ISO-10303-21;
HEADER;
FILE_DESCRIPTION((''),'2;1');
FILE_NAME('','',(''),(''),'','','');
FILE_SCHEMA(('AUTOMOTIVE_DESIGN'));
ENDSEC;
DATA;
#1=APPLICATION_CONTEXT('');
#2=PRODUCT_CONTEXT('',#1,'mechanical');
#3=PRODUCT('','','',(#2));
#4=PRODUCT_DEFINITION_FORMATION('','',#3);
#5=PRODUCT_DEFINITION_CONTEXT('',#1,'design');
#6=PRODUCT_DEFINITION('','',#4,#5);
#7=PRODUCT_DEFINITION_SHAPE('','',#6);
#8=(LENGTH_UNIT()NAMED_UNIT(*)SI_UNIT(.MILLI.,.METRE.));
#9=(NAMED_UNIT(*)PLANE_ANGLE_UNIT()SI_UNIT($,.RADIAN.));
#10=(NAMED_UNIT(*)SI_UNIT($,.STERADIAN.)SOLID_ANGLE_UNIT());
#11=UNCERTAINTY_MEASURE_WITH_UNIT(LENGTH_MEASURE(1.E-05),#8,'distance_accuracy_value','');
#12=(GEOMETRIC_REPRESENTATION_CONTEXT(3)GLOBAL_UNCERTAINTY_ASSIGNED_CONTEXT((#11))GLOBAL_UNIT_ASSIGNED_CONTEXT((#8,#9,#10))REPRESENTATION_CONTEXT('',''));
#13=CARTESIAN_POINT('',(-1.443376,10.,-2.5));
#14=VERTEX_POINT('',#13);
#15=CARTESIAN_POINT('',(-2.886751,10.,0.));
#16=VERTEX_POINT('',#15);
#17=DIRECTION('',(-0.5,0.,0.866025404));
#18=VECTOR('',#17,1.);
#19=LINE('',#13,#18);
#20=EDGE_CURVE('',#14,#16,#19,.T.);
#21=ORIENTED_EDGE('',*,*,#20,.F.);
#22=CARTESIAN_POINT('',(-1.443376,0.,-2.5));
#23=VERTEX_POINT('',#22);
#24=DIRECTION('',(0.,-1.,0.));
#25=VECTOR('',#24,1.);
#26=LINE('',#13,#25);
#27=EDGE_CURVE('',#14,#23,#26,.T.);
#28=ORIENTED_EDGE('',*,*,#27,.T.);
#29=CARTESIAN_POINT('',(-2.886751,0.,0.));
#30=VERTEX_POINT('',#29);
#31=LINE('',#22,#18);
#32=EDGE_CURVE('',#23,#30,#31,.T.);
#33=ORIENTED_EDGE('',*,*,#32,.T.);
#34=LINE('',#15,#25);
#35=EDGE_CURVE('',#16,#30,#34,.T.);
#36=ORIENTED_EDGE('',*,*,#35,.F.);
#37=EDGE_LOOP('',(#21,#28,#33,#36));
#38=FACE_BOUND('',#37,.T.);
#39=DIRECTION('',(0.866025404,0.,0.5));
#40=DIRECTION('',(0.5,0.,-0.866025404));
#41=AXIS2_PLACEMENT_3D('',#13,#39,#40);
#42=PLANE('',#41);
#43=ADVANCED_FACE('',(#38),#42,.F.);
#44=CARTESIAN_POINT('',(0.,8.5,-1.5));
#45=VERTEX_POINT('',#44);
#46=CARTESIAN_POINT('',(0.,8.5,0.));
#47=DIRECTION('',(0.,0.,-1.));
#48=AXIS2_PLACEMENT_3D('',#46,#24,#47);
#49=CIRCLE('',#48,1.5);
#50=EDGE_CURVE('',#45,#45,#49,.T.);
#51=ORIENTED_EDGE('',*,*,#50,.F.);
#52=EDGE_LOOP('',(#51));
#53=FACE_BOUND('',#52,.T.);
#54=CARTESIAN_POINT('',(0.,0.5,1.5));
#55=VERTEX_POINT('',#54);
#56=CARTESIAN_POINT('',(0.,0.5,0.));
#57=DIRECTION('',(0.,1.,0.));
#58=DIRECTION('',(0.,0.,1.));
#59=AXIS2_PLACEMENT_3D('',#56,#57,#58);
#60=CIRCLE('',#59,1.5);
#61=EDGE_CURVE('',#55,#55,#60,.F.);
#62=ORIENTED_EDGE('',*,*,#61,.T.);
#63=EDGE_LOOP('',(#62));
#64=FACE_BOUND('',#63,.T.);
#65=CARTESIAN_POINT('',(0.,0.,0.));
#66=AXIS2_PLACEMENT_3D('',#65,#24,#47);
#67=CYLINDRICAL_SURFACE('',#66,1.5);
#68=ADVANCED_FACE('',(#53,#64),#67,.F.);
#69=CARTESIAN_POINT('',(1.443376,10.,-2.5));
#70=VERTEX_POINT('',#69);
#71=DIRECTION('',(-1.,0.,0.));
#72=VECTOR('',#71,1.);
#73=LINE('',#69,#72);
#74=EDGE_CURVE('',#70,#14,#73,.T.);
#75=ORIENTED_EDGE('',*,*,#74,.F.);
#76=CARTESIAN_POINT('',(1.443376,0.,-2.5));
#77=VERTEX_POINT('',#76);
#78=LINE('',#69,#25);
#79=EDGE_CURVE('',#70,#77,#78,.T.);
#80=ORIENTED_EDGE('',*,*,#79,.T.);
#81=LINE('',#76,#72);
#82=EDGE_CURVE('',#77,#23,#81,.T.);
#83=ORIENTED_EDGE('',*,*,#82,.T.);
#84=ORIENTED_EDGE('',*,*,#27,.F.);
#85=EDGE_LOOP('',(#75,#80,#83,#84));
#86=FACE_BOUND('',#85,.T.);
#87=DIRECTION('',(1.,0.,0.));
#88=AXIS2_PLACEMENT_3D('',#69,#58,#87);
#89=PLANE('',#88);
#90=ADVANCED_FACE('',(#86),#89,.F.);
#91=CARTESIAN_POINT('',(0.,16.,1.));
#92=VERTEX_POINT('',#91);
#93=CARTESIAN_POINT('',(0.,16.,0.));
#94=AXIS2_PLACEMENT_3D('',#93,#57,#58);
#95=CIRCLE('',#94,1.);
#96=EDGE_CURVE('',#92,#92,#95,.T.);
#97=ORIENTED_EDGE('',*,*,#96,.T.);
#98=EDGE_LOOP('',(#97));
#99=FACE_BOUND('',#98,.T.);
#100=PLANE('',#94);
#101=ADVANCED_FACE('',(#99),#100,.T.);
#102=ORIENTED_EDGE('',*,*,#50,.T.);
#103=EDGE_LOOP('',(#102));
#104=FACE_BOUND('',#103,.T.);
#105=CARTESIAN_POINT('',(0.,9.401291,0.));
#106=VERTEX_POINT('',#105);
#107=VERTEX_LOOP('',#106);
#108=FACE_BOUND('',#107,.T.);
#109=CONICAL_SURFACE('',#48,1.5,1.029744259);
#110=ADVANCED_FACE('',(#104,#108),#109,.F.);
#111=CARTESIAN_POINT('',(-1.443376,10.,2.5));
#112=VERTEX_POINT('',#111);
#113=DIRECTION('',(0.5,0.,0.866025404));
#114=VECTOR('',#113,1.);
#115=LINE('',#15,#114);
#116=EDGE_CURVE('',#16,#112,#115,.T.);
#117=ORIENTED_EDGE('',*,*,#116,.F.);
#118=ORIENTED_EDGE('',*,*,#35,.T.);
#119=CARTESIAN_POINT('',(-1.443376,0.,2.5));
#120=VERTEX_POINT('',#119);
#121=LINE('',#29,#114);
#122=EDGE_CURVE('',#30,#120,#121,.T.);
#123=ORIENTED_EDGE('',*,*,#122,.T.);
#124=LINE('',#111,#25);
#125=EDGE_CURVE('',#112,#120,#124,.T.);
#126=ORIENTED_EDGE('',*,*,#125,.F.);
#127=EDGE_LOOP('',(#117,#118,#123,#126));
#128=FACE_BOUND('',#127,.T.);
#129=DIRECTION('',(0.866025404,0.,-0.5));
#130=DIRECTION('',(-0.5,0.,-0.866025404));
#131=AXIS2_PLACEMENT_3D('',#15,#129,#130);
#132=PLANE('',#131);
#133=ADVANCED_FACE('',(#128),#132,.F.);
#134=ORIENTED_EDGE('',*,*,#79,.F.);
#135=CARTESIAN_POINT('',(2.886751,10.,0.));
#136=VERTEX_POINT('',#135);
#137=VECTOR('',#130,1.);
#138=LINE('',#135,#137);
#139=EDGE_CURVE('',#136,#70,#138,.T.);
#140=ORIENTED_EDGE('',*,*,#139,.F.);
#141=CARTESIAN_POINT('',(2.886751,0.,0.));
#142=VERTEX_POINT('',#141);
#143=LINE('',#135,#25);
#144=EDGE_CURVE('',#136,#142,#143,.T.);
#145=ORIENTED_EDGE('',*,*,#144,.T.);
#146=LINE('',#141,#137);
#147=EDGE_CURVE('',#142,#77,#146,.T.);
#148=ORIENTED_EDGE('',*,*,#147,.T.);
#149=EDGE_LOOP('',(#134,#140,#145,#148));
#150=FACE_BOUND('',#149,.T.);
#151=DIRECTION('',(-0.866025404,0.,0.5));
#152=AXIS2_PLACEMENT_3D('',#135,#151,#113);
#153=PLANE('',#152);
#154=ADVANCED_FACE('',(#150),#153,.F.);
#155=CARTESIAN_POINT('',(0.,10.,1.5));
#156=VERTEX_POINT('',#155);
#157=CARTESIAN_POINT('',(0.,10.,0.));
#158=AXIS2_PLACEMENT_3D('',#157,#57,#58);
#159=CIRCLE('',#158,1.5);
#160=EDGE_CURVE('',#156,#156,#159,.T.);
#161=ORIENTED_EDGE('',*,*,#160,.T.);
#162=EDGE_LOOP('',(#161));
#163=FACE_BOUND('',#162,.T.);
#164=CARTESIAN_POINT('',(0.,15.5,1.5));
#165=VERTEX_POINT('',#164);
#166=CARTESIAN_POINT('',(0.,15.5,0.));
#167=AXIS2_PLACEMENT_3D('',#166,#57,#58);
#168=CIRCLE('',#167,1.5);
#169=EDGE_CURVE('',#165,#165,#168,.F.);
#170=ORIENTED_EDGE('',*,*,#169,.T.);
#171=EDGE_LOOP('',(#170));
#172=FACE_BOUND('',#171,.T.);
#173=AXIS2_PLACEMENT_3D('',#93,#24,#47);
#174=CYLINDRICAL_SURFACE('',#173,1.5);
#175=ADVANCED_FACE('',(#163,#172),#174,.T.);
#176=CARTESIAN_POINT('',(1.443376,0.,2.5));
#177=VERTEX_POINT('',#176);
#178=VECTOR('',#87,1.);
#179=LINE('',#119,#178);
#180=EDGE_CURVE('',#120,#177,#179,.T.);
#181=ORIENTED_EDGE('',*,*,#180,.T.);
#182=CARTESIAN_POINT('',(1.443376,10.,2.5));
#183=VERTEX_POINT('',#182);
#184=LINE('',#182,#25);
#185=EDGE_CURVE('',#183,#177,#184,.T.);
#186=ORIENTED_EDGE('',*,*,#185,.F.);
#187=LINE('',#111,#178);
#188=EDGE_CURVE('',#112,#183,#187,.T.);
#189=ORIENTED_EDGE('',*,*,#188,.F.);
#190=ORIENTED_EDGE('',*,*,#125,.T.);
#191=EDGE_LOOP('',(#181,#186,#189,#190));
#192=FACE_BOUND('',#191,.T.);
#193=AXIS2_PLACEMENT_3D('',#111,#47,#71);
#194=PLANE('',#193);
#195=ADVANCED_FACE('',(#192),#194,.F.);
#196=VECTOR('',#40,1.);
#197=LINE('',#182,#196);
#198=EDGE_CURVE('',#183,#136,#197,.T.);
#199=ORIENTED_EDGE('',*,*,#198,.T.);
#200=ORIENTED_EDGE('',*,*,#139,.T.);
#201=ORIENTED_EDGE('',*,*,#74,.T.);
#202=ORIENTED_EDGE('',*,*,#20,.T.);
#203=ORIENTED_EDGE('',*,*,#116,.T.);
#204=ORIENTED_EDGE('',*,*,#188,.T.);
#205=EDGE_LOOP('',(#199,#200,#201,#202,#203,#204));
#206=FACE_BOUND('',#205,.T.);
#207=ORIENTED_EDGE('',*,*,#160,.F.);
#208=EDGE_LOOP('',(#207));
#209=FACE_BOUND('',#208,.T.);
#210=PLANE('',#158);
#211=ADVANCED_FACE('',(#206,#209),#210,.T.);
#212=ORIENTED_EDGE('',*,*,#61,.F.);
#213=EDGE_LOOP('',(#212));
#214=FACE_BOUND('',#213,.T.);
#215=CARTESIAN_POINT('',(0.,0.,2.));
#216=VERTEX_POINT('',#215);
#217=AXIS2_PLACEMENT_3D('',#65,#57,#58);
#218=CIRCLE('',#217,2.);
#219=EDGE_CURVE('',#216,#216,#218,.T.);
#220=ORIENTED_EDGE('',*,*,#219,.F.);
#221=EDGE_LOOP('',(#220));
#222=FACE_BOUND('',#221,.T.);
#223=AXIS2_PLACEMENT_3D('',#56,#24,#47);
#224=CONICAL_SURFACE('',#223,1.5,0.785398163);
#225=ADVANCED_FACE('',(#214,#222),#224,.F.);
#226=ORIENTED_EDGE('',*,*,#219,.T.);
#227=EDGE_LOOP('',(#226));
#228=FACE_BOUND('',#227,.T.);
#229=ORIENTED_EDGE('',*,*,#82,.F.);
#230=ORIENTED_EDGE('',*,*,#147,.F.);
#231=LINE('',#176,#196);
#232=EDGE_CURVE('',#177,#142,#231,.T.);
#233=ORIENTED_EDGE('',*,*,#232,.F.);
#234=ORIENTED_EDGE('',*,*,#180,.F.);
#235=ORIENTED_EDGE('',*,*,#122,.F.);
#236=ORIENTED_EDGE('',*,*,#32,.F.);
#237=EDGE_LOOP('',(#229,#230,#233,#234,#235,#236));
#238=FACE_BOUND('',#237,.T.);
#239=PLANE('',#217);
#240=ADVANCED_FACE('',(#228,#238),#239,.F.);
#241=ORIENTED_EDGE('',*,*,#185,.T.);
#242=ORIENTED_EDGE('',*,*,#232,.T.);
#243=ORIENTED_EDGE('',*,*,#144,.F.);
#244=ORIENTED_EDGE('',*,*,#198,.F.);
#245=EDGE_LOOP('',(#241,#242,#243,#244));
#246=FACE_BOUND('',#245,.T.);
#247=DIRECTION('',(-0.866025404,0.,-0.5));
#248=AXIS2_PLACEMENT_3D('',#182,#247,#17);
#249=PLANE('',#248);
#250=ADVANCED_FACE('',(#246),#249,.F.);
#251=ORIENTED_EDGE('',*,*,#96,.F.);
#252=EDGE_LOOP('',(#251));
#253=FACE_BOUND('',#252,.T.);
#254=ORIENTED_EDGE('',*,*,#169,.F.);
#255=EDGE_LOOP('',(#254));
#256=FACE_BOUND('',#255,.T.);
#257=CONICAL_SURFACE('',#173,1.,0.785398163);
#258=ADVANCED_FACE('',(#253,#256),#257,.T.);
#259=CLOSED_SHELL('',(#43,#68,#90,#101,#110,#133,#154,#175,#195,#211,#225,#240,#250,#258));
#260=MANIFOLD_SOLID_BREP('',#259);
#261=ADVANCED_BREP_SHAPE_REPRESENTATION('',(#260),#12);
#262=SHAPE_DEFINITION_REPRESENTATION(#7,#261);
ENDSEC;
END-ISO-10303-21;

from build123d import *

# Parameters (mm, degrees)
EXTRUDE_1_DEPTH           = 10
HOLE_WIZARD_3_0_3_1_D     = 3
HOLE_WIZARD_3_0_3_1_DEPTH = 8.5
HOLE_WIZARD_3_0_3_1_TIP   = 0.901290929
EXTRUDE_START             = 6
SKETCH_4_R                = 1.5
EXTRUDE_2_DEPTH           = 6
CHAMFER_1_SIZE            = 0.5


with BuildPart() as part:
    # Эскиз1 → Бобышка-Вытянуть1 (new body)
    with BuildSketch(Plane(origin=(0, 0, 0), x_dir=(1, 0, 0), z_dir=(0, 1, 0))):
        Polygon((1.443375673, -2.5), (2.886751346, 0), (1.443375673, 2.5), (-1.443375673, 2.5), (-2.886751346, 0), (-1.443375673, -2.5), align=None)
    extrude(amount=EXTRUDE_1_DEPTH)

    # Диаметр отверстия Ø3.0 (3)1
    with Locations(Plane(origin=(0, 0, 0), x_dir=(-1, 0, 0), z_dir=(0, -1, 0))):
        with Locations((0, 0)):
            Hole(HOLE_WIZARD_3_0_3_1_D / 2, depth=HOLE_WIZARD_3_0_3_1_DEPTH)
            with Locations((0, 0, -(HOLE_WIZARD_3_0_3_1_DEPTH + HOLE_WIZARD_3_0_3_1_TIP / 2))):  # 118° drill point
                Cone(0, HOLE_WIZARD_3_0_3_1_D / 2, HOLE_WIZARD_3_0_3_1_TIP, mode=Mode.SUBTRACT)

    # Эскиз4 → Бобышка-Вытянуть2 (add)
    with BuildSketch(Plane(origin=(0, 10, 0), x_dir=(1, 0, 0), z_dir=(0, 1, 0)).offset(EXTRUDE_START)):
        with Locations(Location((0, 0, 0), (0, 0, 90))):
            Circle(SKETCH_4_R)
    extrude(amount=-EXTRUDE_2_DEPTH)

    # Фаска1
    chamfer_1_edges = [part.edges().sort_by_distance(p)[0] for p in [
        (-1.5, 0, 0),
        (0, 16, 1.5),
    ]]
    chamfer(chamfer_1_edges, length=CHAMFER_1_SIZE)


solid = part.part
